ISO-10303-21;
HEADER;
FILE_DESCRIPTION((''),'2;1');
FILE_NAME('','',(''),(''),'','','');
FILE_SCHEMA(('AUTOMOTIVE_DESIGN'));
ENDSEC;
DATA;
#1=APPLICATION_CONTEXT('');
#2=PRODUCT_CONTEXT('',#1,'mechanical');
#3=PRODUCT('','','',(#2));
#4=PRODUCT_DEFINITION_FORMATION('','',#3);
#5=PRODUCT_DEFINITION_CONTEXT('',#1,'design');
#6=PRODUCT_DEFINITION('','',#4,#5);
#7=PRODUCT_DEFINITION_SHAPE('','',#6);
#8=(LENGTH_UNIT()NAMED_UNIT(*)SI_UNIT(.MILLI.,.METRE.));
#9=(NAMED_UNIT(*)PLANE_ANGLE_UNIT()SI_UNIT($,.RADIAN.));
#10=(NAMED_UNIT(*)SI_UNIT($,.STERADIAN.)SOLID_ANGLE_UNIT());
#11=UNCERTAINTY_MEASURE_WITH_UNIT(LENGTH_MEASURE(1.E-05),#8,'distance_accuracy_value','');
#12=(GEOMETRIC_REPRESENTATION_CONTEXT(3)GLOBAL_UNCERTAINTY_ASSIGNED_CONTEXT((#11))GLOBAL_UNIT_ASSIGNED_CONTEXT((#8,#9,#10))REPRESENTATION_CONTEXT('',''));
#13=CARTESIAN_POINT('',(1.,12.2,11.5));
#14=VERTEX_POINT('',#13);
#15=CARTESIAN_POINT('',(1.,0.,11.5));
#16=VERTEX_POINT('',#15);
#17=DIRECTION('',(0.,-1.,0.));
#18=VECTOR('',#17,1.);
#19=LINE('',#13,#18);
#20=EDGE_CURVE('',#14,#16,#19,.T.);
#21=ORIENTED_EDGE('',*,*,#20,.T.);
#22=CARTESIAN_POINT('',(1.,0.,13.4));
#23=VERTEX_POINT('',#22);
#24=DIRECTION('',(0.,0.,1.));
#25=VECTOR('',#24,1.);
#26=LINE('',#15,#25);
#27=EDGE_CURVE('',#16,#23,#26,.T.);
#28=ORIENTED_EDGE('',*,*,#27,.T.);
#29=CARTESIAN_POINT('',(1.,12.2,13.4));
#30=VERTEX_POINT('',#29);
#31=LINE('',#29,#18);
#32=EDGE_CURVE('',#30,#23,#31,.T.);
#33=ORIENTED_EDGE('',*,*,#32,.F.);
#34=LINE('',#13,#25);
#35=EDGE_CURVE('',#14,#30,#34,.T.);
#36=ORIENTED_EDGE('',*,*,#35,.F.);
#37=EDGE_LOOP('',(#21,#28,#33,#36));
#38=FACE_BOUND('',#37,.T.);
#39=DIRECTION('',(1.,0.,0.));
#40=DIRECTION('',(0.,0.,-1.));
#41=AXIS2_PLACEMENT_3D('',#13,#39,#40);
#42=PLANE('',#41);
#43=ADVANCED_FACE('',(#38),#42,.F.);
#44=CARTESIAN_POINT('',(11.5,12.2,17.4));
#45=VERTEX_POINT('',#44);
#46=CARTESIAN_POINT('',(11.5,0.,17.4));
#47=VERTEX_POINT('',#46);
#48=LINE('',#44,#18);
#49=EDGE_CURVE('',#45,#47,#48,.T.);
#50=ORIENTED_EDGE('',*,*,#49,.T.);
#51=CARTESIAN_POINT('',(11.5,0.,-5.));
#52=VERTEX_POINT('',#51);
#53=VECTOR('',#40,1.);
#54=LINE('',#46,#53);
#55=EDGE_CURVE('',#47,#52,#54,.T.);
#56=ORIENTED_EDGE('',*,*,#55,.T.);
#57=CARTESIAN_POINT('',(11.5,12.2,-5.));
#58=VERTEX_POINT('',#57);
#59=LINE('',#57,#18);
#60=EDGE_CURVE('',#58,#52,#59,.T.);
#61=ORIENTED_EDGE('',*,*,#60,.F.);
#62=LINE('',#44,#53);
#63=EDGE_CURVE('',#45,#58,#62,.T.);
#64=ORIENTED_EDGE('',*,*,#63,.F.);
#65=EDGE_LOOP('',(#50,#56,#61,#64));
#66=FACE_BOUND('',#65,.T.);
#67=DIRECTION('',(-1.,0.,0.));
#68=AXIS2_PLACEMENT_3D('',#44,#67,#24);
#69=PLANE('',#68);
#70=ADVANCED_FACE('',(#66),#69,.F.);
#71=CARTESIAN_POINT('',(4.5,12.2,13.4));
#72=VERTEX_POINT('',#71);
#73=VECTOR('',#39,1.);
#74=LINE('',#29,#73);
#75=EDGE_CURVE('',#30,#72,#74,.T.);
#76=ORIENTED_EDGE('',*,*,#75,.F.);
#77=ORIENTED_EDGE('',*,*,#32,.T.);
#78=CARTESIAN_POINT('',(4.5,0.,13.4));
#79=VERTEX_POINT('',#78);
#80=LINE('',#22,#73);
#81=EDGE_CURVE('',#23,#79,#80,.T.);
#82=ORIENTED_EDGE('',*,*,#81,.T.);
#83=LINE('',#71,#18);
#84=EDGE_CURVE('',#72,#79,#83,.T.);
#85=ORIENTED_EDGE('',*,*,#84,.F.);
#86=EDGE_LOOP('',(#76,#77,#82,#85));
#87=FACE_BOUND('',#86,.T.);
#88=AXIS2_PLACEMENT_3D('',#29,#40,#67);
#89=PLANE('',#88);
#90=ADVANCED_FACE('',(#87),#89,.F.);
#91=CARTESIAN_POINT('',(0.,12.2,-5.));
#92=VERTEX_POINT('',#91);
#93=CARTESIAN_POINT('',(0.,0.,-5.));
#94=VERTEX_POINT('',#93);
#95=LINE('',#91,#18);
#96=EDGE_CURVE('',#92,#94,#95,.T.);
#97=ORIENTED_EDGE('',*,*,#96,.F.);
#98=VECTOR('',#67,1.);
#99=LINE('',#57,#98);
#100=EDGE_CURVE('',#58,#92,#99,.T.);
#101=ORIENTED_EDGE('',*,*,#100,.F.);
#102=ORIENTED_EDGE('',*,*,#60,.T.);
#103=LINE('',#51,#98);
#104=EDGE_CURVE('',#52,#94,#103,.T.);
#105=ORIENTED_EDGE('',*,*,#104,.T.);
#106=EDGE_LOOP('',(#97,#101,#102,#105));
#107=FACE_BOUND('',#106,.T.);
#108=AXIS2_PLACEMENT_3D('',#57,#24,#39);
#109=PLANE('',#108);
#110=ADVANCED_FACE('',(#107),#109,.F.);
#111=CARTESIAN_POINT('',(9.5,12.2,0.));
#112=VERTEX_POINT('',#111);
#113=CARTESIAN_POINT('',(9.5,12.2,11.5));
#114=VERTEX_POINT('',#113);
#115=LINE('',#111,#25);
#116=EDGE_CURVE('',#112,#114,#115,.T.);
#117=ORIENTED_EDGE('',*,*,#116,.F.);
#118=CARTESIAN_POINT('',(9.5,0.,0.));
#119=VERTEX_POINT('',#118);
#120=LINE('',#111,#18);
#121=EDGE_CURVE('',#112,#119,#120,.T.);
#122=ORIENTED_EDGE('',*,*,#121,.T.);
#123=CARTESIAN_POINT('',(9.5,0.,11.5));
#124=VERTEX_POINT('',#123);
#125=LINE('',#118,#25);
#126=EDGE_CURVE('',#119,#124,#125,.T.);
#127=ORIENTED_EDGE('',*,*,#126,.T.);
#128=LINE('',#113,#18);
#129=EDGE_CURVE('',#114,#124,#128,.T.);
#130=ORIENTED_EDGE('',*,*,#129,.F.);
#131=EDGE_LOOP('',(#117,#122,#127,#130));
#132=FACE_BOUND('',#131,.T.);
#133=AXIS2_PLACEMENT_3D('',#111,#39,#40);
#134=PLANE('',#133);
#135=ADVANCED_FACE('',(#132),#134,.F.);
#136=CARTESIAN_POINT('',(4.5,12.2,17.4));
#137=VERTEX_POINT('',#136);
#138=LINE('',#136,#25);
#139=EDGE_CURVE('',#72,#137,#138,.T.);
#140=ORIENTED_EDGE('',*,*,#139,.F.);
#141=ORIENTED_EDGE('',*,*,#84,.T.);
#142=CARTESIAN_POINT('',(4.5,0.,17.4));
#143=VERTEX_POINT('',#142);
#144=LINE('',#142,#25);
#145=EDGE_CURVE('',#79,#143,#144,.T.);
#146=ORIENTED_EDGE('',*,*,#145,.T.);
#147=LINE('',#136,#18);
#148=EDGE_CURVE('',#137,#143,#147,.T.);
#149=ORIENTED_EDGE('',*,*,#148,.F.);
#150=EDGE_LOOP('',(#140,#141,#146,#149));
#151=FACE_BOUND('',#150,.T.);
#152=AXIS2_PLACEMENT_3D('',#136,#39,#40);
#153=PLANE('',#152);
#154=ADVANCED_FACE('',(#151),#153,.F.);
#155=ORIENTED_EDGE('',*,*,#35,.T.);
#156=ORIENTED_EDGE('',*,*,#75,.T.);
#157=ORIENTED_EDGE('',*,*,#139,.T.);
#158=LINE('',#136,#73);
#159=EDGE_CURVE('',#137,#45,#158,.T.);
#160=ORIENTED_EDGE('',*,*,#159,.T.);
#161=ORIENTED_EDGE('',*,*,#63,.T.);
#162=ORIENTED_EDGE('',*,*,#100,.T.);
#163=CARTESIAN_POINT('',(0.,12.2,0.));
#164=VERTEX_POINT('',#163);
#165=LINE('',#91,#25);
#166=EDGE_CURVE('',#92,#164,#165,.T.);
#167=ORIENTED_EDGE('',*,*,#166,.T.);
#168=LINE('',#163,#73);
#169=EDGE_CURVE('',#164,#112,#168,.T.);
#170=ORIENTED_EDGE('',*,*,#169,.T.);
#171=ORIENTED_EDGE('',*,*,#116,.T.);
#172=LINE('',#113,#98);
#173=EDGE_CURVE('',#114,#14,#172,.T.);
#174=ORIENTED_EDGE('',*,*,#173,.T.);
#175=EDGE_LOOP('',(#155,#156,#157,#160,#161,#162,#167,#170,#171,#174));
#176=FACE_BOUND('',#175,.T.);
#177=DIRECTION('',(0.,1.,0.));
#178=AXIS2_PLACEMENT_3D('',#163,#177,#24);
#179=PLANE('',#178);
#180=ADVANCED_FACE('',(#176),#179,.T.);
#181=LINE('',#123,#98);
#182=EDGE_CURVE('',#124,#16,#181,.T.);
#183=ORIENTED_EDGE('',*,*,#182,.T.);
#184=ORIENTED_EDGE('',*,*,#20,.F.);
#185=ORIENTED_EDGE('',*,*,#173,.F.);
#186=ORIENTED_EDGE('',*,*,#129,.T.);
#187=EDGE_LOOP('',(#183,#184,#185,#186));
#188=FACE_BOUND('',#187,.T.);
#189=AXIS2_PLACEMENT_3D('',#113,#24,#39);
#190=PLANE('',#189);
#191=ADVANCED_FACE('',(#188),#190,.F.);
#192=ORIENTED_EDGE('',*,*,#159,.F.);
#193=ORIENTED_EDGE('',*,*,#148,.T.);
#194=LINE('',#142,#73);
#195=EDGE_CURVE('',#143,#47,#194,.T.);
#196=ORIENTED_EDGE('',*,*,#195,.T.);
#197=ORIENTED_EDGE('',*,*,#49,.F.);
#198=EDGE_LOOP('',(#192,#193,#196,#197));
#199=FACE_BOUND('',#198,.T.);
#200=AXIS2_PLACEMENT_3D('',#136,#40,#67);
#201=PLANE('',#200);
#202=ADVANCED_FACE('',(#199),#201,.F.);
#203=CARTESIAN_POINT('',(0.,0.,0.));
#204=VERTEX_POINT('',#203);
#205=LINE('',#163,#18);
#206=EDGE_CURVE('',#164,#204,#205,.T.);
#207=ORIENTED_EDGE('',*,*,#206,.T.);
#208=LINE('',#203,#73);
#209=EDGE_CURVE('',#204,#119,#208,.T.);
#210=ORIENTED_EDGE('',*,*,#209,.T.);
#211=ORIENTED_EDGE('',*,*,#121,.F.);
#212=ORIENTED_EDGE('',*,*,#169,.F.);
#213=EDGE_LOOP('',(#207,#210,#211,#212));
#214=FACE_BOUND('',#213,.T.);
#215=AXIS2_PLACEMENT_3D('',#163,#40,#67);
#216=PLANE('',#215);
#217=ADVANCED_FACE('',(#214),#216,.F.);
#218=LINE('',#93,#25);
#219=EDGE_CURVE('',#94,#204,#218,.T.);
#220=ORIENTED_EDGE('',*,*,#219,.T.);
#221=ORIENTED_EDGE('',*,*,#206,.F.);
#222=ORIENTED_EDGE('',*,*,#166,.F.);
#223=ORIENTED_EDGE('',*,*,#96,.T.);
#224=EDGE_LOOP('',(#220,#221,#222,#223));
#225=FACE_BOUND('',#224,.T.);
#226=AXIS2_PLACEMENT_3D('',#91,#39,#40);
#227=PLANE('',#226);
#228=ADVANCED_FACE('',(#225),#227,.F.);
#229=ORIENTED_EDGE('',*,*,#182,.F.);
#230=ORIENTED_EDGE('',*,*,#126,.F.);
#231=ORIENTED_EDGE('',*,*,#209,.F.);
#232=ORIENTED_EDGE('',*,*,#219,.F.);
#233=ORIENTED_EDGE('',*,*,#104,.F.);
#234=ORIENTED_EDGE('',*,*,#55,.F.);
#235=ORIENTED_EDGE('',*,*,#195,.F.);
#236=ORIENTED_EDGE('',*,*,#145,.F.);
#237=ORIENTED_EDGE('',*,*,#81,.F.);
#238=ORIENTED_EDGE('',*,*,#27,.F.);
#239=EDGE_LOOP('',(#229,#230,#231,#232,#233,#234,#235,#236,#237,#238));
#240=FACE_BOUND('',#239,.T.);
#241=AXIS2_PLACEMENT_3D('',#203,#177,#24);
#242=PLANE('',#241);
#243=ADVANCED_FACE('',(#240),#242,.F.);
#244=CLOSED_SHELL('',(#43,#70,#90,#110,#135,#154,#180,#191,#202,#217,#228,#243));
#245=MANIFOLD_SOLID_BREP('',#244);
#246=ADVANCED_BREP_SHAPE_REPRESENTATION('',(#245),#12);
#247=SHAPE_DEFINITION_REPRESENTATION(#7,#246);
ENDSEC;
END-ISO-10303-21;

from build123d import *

# Parameters (mm, degrees)
BOSS_EXTRUDE1_DEPTH = 12.2


with BuildPart() as part:
    # Sketch1 → Boss-Extrude1 (new body)
    with BuildSketch(Plane(origin=(0, 0, 0), x_dir=(1, 0, 0), z_dir=(0, 1, 0))):
        Polygon((0, 0), (9.5, 0), (9.5, -11.5), (1, -11.5), (1, -13.4), (4.5, -13.4), (4.5, -17.4), (11.5, -17.4), (11.5, 5), (0, 5), align=None)
    extrude(amount=BOSS_EXTRUDE1_DEPTH)


solid = part.part
